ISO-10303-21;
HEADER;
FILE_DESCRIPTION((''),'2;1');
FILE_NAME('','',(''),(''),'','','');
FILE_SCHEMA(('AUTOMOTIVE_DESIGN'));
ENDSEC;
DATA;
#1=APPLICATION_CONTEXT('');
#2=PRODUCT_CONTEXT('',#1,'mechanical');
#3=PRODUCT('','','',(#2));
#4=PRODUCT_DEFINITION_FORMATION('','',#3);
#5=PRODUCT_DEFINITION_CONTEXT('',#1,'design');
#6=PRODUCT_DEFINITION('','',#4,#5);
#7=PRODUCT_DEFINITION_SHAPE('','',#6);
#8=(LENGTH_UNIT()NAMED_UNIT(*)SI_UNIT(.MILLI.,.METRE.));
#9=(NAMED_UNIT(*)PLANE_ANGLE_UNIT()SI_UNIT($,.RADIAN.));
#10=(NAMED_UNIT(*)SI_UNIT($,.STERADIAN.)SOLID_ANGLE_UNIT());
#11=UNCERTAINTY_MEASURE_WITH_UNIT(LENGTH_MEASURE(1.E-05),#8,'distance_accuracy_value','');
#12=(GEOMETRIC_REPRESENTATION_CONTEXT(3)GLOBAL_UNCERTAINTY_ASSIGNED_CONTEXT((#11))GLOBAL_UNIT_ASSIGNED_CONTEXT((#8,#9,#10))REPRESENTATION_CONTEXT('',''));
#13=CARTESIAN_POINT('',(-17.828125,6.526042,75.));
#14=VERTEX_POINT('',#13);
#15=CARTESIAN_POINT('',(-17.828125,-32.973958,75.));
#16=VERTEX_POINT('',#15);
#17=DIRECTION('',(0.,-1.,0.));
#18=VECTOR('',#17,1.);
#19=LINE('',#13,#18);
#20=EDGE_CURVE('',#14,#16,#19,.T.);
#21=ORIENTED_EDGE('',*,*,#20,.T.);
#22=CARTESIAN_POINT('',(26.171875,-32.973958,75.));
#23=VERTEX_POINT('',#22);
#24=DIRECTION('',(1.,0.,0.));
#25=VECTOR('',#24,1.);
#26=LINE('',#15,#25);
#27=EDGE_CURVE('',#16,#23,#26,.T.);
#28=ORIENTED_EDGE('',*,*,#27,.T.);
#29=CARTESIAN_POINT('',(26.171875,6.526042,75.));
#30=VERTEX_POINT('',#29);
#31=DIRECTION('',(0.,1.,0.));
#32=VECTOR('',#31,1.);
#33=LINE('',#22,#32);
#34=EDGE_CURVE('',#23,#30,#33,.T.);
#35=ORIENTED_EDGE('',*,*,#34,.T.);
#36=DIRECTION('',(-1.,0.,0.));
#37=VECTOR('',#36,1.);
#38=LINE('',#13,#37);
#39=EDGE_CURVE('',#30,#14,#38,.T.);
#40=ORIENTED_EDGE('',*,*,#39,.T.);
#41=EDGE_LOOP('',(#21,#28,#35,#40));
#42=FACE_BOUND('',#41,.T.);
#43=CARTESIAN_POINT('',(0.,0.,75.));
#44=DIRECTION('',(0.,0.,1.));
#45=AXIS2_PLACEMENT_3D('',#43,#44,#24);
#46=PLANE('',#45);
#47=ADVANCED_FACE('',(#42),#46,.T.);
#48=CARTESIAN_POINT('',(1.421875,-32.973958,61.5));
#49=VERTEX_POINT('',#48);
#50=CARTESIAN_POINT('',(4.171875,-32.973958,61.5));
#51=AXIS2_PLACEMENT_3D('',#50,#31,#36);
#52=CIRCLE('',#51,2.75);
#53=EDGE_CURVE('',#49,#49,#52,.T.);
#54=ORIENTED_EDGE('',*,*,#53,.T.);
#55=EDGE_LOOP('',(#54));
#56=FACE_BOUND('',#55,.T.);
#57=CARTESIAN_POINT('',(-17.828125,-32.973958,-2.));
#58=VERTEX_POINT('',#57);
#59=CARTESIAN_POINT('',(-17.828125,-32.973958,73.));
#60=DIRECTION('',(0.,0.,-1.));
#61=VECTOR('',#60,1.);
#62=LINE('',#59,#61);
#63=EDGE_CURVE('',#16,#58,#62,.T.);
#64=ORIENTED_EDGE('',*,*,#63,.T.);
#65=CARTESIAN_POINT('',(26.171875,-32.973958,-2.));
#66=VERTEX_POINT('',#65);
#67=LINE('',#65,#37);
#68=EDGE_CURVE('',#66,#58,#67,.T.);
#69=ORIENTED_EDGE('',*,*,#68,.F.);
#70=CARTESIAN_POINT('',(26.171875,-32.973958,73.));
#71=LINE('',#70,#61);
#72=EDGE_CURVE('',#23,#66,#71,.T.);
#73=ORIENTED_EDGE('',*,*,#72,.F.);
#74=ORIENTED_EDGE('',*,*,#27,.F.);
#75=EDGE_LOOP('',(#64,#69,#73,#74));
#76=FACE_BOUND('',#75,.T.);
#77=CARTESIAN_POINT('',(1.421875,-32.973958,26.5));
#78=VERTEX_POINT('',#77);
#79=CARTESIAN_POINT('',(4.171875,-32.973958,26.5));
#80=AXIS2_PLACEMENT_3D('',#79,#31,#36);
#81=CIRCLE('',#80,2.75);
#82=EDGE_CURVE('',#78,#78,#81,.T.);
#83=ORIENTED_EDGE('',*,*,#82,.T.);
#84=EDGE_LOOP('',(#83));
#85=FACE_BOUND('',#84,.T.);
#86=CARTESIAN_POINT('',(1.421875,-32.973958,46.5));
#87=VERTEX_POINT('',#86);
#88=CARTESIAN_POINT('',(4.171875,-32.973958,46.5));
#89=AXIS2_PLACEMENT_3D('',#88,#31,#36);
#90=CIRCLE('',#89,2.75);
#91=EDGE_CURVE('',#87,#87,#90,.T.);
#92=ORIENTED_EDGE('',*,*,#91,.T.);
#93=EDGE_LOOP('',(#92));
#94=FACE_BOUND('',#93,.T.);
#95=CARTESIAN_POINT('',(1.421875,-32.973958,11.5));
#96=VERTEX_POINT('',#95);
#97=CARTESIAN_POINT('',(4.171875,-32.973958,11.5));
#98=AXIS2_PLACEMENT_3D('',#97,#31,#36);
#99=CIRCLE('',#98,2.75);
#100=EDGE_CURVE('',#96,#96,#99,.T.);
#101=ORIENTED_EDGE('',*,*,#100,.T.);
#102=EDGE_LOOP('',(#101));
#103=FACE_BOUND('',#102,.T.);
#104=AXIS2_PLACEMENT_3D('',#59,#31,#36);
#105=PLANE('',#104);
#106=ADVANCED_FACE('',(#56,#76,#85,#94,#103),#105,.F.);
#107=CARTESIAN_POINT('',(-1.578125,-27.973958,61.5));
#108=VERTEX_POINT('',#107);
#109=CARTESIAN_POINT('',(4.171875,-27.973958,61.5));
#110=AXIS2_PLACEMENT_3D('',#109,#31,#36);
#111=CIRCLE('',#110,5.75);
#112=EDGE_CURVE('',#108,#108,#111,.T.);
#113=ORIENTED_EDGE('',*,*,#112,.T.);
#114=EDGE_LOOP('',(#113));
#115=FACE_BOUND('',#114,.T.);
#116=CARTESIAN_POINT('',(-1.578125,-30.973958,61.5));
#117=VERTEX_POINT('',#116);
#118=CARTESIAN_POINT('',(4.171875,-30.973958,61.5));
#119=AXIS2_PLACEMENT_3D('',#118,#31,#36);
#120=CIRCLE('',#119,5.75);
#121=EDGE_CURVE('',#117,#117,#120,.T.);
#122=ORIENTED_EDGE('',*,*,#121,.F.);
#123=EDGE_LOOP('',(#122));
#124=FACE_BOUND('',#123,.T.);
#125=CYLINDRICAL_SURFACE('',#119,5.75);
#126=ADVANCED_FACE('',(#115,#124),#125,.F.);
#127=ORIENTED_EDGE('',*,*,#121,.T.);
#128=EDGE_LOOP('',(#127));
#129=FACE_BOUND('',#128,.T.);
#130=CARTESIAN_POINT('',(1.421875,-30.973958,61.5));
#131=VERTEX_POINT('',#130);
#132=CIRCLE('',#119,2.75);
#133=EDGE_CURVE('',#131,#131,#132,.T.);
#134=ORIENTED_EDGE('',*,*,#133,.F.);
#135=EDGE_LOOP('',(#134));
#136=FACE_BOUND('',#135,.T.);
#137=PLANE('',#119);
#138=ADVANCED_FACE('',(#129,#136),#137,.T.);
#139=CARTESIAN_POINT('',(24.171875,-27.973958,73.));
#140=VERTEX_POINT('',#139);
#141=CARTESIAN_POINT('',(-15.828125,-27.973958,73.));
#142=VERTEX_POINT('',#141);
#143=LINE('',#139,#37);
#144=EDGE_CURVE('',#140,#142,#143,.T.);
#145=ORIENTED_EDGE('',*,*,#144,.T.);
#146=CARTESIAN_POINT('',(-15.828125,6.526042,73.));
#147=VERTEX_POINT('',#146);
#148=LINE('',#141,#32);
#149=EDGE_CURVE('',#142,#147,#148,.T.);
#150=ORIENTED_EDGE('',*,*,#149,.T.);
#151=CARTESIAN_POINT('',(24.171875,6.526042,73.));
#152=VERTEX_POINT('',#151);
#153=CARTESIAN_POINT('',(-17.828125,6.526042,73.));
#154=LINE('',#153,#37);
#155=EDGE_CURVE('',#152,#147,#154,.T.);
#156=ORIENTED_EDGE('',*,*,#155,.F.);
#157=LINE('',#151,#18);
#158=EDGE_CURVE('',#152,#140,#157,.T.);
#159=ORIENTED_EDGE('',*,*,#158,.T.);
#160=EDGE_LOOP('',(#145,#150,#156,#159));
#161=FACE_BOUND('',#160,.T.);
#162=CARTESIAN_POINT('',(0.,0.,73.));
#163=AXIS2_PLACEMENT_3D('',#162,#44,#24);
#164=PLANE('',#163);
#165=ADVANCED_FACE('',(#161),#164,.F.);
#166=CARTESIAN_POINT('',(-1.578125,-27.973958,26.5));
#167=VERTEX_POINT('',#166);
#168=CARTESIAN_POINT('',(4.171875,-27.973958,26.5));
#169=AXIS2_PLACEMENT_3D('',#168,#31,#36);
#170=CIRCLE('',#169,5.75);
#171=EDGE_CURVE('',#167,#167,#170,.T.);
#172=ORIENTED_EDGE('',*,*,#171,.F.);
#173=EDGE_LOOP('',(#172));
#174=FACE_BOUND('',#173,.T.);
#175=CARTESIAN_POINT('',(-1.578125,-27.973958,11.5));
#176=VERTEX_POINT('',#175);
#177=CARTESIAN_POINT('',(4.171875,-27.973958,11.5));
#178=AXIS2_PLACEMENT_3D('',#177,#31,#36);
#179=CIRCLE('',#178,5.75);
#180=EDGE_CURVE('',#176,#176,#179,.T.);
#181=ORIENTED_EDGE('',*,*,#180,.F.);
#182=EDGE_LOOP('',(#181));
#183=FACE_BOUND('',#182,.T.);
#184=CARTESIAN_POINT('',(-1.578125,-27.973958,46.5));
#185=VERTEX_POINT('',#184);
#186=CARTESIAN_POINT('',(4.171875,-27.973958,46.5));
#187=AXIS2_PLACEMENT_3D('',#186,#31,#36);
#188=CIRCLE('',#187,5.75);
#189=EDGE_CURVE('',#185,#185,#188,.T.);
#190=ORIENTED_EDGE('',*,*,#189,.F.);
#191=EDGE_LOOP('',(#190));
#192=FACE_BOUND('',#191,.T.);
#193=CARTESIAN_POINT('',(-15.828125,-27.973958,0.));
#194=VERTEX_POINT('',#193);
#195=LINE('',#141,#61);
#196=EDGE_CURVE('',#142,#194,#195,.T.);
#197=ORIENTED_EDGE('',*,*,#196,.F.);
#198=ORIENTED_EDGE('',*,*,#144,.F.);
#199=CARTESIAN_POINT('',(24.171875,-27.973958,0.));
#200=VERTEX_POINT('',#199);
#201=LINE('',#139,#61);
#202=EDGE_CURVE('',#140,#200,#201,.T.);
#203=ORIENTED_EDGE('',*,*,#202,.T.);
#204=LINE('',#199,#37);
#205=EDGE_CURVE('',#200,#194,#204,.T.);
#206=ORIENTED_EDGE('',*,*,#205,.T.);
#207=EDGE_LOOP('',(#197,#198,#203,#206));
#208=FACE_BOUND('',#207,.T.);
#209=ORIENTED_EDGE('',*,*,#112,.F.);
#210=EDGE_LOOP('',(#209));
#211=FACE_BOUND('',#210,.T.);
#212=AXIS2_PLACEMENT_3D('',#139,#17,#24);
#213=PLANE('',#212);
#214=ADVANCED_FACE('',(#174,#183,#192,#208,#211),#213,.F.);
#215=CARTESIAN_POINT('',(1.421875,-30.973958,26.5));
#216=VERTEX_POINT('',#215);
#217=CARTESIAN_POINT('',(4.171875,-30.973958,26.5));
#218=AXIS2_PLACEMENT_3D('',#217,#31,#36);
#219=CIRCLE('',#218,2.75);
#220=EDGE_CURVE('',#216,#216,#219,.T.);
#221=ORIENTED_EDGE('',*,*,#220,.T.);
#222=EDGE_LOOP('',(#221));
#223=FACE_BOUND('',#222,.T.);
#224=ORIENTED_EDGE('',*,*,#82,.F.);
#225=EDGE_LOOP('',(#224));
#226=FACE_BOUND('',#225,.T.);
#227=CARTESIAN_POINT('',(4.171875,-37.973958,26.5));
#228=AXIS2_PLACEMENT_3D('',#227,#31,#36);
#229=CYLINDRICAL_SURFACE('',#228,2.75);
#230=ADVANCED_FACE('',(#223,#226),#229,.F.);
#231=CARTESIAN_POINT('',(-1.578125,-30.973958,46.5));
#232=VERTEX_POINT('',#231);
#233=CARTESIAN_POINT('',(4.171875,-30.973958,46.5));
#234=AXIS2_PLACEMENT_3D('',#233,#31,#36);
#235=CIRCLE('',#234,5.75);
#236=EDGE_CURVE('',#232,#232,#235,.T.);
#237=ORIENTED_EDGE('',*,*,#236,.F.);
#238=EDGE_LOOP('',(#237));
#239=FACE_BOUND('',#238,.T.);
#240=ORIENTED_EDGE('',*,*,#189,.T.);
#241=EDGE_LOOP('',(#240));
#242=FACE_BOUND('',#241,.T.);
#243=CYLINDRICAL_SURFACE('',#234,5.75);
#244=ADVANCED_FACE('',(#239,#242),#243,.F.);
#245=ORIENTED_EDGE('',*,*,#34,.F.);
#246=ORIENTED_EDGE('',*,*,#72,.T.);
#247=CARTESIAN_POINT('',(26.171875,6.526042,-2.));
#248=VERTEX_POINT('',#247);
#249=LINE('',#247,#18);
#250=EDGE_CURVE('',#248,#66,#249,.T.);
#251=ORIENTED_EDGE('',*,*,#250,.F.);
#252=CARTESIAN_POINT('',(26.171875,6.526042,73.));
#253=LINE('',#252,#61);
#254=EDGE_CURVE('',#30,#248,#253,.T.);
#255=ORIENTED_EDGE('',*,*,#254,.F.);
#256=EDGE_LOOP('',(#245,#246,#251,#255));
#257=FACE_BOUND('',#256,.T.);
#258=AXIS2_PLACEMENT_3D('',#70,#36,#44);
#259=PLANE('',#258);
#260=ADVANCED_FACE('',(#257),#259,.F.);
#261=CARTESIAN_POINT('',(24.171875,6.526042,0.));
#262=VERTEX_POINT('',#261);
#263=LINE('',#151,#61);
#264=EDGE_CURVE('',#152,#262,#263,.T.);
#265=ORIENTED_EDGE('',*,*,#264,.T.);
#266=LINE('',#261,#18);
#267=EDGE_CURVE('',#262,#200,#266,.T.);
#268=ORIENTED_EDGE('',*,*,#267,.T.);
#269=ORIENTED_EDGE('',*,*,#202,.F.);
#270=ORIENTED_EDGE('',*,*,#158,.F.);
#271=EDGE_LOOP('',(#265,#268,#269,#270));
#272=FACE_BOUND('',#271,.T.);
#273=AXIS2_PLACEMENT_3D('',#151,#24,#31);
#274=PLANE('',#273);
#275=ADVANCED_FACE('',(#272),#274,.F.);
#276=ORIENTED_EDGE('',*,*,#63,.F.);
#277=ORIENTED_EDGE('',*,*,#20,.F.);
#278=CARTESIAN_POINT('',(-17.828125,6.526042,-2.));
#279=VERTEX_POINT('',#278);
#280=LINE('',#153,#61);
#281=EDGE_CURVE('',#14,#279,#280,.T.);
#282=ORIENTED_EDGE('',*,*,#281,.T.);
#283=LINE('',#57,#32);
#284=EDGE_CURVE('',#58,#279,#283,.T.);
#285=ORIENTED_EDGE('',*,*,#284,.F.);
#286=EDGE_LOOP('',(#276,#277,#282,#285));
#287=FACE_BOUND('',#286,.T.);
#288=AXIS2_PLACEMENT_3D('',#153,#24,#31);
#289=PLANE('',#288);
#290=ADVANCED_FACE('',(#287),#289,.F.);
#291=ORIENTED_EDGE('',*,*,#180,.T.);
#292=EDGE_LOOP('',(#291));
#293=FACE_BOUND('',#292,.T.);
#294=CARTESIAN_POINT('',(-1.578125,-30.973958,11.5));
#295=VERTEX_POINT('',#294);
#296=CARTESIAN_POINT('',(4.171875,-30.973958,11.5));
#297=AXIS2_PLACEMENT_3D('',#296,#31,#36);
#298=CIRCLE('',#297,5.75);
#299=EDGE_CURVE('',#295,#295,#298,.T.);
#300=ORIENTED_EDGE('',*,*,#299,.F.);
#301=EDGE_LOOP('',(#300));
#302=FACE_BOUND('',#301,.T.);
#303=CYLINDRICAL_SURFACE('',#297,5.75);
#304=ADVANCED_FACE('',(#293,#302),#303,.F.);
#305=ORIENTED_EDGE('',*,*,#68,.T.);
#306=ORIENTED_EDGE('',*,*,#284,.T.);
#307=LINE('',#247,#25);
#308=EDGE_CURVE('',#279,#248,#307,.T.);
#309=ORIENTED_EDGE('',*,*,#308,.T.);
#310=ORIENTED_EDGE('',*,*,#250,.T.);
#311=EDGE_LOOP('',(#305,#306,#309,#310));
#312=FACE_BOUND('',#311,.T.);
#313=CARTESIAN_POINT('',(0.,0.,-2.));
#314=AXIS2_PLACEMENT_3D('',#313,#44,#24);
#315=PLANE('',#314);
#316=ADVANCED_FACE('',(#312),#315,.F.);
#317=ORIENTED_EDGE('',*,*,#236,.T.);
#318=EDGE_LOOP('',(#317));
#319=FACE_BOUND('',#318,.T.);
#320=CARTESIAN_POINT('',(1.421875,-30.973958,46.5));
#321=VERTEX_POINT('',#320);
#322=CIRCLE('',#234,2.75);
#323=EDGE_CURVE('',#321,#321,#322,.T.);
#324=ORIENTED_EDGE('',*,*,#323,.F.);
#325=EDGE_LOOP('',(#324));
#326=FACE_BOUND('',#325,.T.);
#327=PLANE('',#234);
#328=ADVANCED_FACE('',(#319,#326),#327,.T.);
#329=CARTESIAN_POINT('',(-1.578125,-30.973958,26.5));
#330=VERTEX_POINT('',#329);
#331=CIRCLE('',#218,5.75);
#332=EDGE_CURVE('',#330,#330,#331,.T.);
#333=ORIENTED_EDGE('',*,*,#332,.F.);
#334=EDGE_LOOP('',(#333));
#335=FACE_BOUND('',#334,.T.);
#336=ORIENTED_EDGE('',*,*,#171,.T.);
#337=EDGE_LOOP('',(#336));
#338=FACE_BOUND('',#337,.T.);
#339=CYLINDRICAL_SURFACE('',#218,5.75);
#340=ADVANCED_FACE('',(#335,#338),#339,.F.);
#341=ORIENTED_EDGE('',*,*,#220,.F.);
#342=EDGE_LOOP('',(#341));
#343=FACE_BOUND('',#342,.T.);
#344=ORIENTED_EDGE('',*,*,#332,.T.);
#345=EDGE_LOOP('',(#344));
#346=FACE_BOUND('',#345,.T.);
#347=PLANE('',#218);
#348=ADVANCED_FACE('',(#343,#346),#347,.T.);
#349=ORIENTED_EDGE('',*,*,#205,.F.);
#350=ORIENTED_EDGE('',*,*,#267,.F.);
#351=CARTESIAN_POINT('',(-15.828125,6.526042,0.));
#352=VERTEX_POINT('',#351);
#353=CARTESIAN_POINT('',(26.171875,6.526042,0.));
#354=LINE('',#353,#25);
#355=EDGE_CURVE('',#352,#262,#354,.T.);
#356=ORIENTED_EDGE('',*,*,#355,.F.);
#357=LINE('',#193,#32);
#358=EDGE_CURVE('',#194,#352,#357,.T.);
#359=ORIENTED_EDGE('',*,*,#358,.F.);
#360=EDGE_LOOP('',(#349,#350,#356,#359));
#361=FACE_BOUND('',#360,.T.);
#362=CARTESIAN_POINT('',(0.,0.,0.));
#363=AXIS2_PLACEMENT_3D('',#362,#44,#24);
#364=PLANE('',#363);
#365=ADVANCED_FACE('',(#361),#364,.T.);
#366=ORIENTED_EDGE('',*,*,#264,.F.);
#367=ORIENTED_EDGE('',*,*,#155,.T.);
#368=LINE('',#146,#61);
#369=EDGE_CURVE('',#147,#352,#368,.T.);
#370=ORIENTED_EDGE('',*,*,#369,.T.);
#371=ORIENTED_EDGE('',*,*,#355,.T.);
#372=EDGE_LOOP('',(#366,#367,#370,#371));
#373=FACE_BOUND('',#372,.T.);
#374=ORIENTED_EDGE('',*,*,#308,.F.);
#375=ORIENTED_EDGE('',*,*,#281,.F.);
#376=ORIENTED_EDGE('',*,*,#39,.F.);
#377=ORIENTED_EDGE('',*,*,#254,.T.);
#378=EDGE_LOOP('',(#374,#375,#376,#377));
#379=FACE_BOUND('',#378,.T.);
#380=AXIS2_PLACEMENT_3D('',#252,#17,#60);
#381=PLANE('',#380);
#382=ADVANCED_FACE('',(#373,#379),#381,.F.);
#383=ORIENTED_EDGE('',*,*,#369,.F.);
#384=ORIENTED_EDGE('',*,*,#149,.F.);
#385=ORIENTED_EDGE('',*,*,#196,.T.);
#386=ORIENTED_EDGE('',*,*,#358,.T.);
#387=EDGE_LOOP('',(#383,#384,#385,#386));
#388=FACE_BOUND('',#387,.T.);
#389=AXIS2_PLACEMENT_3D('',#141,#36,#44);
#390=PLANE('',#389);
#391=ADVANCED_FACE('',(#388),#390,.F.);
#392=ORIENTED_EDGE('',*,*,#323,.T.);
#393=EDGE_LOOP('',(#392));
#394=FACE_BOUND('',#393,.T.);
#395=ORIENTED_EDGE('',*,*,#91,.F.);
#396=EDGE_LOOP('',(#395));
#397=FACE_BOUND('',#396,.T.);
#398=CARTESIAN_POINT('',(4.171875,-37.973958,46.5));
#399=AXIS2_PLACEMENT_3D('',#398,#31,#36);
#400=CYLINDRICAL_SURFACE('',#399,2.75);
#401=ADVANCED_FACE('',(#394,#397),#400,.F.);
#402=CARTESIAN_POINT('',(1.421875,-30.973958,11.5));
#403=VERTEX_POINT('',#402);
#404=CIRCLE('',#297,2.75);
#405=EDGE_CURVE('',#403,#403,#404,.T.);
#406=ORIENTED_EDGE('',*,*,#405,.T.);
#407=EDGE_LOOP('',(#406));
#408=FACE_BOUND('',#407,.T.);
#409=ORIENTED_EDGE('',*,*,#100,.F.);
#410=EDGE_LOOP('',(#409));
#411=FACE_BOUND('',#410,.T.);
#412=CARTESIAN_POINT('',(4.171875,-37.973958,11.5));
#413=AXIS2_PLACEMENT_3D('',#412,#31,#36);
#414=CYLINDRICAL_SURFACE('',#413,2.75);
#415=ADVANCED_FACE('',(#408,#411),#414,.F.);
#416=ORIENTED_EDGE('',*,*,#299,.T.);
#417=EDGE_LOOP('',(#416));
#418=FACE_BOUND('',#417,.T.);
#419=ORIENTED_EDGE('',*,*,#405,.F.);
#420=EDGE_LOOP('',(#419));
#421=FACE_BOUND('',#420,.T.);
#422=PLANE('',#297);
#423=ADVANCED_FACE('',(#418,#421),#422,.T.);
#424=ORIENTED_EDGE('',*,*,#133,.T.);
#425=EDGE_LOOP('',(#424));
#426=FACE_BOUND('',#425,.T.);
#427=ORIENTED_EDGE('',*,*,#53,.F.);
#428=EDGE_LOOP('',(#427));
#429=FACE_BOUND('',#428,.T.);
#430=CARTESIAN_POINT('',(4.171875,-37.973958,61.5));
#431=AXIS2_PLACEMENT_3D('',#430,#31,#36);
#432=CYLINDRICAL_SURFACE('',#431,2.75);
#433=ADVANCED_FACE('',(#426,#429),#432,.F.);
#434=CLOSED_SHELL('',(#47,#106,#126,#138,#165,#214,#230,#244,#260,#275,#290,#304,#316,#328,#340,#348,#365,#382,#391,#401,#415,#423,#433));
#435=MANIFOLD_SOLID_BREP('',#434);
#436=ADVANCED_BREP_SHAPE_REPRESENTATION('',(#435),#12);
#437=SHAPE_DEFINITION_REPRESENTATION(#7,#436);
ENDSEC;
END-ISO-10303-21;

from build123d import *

# Parameters (mm, degrees)
EXTRUDE_1_DEPTH     = 73
SKETCH_2_W          = 44
SKETCH_2_H          = 39.5
EXTRUDE_2_DEPTH     = 2
SKETCH_3_W          = 44
SKETCH_3_H          = 39.5
EXTRUDE_3_DEPTH     = 2
SKETCH_4_R          = 2.75
CUT_EXTRUDE_1_DEPTH = 10
SKETCH_5_R          = 5.75
SKETCH_5_R_2        = 2.75
CUT_EXTRUDE_2_DEPTH = 3


with BuildPart() as part:
    # 草图1 → 凸台-拉伸1 (new body)
    with BuildSketch(Plane.XY):
        Polygon((-17.828125, 6.526041667), (-17.828125, -32.973958333), (26.171875, -32.973958333), (26.171875, 6.526041667), (24.171875, 6.526041667), (24.171875, -27.973958333), (-15.828125, -27.973958333), (-15.828125, 6.526041667), align=None)
    extrude(amount=EXTRUDE_1_DEPTH)

    # 草图2 → 凸台-拉伸2 (add)
    with BuildSketch(Plane.XY.offset(73)):
        with Locations((4.171875, -13.223958333)):
            Rectangle(SKETCH_2_W, SKETCH_2_H)
    extrude(amount=EXTRUDE_2_DEPTH)

    # 草图3 → 凸台-拉伸3 (add)
    with BuildSketch(Plane(origin=(0, 0, 0), x_dir=(-1, 0, 0), z_dir=(0, 0, -1))):
        with Locations((-4.171875, -13.223958333)):
            Rectangle(SKETCH_3_W, SKETCH_3_H)
    extrude(amount=EXTRUDE_3_DEPTH)

    # 草图4 → 切除-拉伸1 (cut)
    with BuildSketch(Plane(origin=(0, -27.973958333, 0), x_dir=(1, 0, 0), z_dir=(0, 1, 0))):
        with Locations(Location((4.171875, -26.5, 0), (0, 0, 180))):
            Circle(SKETCH_4_R)
        with Locations(Location((4.171875, -46.5, 0), (0, 0, 180))):
            Circle(SKETCH_4_R)
        with Locations(Location((4.171875, -11.5, 0), (0, 0, 180))):
            Circle(SKETCH_4_R)
        with Locations(Location((4.171875, -61.5, 0), (0, 0, 180))):
            Circle(SKETCH_4_R)
    extrude(amount=-CUT_EXTRUDE_1_DEPTH, mode=Mode.SUBTRACT)

    # 草图5 → 切除-拉伸2 (cut)
    # profile 1 of 4: a face of its own
    with BuildSketch(Plane(origin=(0, -27.973958333, 0), x_dir=(1, 0, 0), z_dir=(0, 1, 0))):
        with Locations(Location((4.171875, -61.5, 0), (0, 0, 180))):
            Circle(SKETCH_5_R)
        with Locations(Location((4.171875, -61.5, 0), (0, 0, 180))):
            Circle(SKETCH_5_R_2, mode=Mode.SUBTRACT)
    # profile 2 of 4: a face of its own
    with BuildSketch(Plane(origin=(0, -27.973958333, 0), x_dir=(1, 0, 0), z_dir=(0, 1, 0))):
        with Locations(Location((4.171875, -46.5, 0), (0, 0, 180))):
            Circle(SKETCH_5_R)
        with Locations(Location((4.171875, -46.5, 0), (0, 0, 180))):
            Circle(SKETCH_5_R_2, mode=Mode.SUBTRACT)
    # profile 3 of 4: a face of its own
    with BuildSketch(Plane(origin=(0, -27.973958333, 0), x_dir=(1, 0, 0), z_dir=(0, 1, 0))):
        with Locations(Location((4.171875, -26.5, 0), (0, 0, 180))):
            Circle(SKETCH_5_R)
        with Locations(Location((4.171875, -26.5, 0), (0, 0, 180))):
            Circle(SKETCH_5_R_2, mode=Mode.SUBTRACT)
    # profile 4 of 4: a face of its own
    with BuildSketch(Plane(origin=(0, -27.973958333, 0), x_dir=(1, 0, 0), z_dir=(0, 1, 0))):
        with Locations(Location((4.171875, -11.5, 0), (0, 0, 180))):
            Circle(SKETCH_5_R)
        with Locations(Location((4.171875, -11.5, 0), (0, 0, 180))):
            Circle(SKETCH_5_R_2, mode=Mode.SUBTRACT)
    extrude(amount=-CUT_EXTRUDE_2_DEPTH, mode=Mode.SUBTRACT)


solid = part.part
